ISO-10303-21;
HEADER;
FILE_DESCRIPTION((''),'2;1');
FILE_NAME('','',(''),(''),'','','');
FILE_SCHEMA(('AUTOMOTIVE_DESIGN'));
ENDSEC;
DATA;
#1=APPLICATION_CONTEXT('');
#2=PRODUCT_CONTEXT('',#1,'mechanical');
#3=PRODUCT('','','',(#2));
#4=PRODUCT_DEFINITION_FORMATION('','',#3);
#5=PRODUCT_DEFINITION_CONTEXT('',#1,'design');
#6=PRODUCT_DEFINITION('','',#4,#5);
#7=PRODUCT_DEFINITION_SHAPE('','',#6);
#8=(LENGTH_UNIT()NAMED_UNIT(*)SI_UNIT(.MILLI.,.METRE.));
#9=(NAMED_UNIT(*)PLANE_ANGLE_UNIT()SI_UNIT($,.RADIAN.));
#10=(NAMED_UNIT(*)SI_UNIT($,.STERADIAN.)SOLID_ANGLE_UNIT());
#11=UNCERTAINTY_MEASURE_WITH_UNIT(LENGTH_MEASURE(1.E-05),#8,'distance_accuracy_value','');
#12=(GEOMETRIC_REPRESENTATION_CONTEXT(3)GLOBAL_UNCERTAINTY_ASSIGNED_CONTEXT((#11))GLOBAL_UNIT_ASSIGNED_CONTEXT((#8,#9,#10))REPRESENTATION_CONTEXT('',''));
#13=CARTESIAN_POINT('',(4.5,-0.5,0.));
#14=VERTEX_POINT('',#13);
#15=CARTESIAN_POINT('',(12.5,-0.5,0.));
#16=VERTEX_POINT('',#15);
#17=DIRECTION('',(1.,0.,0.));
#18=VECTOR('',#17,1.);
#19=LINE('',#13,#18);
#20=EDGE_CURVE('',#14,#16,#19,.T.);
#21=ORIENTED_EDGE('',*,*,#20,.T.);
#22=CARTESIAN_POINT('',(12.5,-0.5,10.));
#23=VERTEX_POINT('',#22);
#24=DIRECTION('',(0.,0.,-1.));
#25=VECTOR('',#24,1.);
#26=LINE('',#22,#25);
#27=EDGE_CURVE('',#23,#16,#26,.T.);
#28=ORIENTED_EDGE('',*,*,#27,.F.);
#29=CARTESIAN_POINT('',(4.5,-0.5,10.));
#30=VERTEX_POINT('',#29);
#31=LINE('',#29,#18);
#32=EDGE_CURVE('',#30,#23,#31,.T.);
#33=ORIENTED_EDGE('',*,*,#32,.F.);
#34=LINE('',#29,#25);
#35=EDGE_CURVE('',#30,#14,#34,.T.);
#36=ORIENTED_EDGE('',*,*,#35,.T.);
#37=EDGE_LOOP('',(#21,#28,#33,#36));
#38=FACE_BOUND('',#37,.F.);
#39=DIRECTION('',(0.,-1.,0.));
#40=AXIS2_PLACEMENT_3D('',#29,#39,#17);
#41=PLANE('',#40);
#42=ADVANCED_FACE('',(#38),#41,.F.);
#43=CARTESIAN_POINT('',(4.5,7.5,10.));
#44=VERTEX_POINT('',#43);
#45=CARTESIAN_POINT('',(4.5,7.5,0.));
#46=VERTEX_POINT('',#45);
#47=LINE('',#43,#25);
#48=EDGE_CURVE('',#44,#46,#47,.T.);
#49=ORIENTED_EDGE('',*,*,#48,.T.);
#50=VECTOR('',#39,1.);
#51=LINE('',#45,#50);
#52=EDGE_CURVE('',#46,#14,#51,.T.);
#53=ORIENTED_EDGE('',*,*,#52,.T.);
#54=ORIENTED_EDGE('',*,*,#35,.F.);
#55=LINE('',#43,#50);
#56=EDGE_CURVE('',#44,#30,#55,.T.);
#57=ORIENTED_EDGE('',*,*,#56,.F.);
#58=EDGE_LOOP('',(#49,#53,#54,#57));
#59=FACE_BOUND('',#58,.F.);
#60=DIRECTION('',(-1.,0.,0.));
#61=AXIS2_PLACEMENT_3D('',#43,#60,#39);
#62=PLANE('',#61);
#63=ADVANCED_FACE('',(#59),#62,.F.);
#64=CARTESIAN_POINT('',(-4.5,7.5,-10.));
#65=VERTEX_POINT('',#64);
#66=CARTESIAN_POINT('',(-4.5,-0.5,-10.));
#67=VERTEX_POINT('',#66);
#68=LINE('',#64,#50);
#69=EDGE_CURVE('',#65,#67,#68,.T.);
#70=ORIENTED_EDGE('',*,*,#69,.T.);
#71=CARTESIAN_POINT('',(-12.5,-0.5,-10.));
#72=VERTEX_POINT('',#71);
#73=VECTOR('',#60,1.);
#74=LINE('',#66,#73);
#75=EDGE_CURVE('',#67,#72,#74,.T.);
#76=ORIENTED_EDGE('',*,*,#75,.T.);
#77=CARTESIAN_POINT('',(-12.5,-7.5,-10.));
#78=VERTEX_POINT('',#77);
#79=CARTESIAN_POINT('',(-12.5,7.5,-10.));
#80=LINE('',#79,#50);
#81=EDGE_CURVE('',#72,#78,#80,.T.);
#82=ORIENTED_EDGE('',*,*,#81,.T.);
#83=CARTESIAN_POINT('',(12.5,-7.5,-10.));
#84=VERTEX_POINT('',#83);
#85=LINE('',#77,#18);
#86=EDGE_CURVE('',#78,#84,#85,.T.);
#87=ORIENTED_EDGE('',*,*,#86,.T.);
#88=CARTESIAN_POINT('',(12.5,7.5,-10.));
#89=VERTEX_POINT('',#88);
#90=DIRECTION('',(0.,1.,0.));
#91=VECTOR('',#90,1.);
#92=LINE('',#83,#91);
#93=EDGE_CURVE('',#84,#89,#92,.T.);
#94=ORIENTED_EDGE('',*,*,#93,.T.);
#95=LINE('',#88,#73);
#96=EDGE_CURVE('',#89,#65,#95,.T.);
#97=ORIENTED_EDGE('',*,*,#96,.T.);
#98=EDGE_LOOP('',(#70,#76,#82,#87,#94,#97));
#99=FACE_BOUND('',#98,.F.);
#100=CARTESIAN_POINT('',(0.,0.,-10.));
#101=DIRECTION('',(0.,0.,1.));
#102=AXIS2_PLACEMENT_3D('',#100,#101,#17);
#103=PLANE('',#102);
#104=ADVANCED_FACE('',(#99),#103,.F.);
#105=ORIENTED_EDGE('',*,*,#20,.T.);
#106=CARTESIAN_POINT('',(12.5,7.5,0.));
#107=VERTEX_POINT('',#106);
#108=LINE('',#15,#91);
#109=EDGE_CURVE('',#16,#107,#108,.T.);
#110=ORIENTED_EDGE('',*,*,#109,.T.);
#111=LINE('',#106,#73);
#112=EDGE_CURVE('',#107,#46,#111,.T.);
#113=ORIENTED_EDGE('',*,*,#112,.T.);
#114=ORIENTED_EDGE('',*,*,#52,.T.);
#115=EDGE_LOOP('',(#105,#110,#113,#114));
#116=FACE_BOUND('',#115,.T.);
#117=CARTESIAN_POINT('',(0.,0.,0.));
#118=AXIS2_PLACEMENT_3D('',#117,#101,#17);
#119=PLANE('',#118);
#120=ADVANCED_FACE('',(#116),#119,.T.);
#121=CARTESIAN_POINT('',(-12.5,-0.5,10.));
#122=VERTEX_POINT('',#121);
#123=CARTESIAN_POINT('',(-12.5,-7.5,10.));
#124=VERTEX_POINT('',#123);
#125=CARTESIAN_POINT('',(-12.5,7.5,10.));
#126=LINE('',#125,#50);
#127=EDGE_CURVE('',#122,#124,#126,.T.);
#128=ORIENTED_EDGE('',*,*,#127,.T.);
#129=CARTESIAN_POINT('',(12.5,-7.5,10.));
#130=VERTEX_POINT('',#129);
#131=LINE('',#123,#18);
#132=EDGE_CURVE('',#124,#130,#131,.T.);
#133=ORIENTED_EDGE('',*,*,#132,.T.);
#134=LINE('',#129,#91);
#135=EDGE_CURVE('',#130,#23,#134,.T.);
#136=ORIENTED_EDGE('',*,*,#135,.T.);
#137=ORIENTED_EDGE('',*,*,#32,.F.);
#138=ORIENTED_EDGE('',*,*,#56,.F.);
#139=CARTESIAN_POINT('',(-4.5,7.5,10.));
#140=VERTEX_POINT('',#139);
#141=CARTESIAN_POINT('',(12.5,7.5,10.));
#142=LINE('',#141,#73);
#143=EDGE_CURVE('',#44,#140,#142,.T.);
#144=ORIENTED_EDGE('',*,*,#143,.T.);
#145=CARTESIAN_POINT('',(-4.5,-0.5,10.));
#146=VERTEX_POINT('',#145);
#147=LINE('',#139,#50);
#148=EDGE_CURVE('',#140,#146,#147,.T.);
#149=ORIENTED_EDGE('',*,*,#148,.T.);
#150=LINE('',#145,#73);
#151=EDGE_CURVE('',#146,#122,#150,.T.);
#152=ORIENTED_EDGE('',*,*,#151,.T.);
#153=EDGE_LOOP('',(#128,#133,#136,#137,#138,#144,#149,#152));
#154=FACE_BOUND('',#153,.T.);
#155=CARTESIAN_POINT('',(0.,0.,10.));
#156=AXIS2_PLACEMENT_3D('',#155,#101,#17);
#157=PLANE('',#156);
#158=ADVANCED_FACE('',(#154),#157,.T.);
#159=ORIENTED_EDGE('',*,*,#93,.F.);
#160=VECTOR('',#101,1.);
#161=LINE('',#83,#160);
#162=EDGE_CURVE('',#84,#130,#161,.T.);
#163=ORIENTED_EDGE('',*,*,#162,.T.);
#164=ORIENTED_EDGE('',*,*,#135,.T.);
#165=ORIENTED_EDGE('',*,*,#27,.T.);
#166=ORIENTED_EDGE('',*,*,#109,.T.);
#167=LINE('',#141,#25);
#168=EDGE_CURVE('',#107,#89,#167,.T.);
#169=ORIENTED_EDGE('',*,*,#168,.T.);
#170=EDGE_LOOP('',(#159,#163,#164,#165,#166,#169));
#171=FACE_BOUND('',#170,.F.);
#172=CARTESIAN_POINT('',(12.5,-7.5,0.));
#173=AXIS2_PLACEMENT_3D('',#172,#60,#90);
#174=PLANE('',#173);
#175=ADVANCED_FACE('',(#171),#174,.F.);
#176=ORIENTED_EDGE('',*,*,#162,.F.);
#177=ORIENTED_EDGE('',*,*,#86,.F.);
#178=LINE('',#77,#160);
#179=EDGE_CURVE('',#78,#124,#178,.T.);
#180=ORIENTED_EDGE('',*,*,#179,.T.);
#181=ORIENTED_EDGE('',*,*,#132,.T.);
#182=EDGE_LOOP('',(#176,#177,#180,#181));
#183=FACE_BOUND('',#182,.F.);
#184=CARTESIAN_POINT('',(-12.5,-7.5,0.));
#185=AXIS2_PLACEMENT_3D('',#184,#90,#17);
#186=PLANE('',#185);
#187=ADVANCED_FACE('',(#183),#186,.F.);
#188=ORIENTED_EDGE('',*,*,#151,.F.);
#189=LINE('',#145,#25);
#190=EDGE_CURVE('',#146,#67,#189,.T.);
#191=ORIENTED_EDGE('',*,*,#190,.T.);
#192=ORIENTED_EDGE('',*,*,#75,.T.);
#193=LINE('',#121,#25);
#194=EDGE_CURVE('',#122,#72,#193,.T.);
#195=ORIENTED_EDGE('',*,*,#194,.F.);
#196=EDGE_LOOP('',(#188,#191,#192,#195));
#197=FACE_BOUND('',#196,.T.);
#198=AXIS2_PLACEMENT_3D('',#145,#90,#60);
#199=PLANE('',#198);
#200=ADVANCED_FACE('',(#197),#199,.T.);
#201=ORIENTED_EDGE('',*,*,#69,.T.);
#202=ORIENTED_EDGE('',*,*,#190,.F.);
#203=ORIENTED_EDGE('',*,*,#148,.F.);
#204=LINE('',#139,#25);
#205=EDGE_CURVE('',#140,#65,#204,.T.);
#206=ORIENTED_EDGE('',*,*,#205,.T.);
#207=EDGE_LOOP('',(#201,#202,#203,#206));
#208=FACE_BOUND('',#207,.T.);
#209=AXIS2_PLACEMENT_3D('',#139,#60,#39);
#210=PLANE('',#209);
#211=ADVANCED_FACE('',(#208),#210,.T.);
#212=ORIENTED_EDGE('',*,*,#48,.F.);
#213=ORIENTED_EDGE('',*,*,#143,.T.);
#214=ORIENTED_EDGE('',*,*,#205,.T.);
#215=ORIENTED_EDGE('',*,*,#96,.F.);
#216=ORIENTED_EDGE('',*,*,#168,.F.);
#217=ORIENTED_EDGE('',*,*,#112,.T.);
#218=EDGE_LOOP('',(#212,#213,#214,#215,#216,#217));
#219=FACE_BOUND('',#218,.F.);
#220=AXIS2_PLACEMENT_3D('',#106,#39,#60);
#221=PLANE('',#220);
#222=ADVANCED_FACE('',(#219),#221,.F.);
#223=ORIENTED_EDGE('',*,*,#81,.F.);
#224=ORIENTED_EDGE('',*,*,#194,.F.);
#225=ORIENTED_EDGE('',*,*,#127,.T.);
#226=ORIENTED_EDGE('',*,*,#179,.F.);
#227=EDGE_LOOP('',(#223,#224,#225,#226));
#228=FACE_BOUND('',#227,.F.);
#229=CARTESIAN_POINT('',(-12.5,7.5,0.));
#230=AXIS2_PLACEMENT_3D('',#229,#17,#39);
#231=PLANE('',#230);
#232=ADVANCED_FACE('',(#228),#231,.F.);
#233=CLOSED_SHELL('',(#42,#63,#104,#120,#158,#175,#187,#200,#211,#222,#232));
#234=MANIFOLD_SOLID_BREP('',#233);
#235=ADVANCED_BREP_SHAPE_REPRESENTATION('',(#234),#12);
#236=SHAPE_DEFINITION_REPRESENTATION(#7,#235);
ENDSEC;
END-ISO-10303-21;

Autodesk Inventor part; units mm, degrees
ref_plane "YZ Plane" through (0, 0, 0) normal (1, 0, 0) x (0, 1, 0)
ref_plane "XZ Plane" through (0, 0, 0) normal (0, 1, 0) x (-1, 0, 0)
ref_plane "XY Plane" through (0, 0, 0) normal (0, 0, 1) x (1, 0, 0)
sketch "草圖1" plane through (0, 0, 0) normal (0, 0, 1) x (1, 0, 0)
  line L0 (-12.5, -7.5) -> (12.5, -7.5)
  line L1 (12.5, -7.5) -> (12.5, 7.5)
  line L2 (12.5, 7.5) -> (-12.5, 7.5)
  line L3 (-12.5, 7.5) -> (-12.5, -7.5)
  line L4 (-12.5, -7.5) -> (12.5, 7.5) construction
  line L5 (12.5, -7.5) -> (-12.5, 7.5) construction
  point P0 (0, 0)
  dimension "d0" = 25
  dimension "d1" = 15
extrude "擠出1" add sketch "草圖1" along normal mid plane 20
sketch "草圖2" plane through (0, 0, 10) normal (0, 0, 1) x (1, 0, 0)
  line L0 (12.5, 7.5) -> (-12.5, 7.5) projected
  line L1 (-12.5, 7.5) -> (-4.5, 7.5)
  line L2 (-4.5, 7.5) -> (-4.5, -0.5)
  line L3 (-4.5, -0.5) -> (-12.5, -0.5)
  line L4 (-12.5, -0.5) -> (-12.5, 7.5)
  line L5 (12.5, 7.5) -> (4.5, 7.5)
  line L6 (4.5, 7.5) -> (4.5, -0.5)
  line L7 (4.5, -0.5) -> (12.5, -0.5)
  line L8 (12.5, -0.5) -> (12.5, 7.5)
  point P0 (0, 0)
  point P1 (-4.5, 7.5)
  dimension "d4" = 8
  dimension "d5" = 8
  dimension "d6" = 8
extrude "擠出2" cut sketch "草圖2" against normal blind 10 contours L8 L7 L6 L0
extrude "擠出3" cut sketch "草圖2" against normal blind 20 contours L2 L3 L4 L0
properties part number "視圖範例"
